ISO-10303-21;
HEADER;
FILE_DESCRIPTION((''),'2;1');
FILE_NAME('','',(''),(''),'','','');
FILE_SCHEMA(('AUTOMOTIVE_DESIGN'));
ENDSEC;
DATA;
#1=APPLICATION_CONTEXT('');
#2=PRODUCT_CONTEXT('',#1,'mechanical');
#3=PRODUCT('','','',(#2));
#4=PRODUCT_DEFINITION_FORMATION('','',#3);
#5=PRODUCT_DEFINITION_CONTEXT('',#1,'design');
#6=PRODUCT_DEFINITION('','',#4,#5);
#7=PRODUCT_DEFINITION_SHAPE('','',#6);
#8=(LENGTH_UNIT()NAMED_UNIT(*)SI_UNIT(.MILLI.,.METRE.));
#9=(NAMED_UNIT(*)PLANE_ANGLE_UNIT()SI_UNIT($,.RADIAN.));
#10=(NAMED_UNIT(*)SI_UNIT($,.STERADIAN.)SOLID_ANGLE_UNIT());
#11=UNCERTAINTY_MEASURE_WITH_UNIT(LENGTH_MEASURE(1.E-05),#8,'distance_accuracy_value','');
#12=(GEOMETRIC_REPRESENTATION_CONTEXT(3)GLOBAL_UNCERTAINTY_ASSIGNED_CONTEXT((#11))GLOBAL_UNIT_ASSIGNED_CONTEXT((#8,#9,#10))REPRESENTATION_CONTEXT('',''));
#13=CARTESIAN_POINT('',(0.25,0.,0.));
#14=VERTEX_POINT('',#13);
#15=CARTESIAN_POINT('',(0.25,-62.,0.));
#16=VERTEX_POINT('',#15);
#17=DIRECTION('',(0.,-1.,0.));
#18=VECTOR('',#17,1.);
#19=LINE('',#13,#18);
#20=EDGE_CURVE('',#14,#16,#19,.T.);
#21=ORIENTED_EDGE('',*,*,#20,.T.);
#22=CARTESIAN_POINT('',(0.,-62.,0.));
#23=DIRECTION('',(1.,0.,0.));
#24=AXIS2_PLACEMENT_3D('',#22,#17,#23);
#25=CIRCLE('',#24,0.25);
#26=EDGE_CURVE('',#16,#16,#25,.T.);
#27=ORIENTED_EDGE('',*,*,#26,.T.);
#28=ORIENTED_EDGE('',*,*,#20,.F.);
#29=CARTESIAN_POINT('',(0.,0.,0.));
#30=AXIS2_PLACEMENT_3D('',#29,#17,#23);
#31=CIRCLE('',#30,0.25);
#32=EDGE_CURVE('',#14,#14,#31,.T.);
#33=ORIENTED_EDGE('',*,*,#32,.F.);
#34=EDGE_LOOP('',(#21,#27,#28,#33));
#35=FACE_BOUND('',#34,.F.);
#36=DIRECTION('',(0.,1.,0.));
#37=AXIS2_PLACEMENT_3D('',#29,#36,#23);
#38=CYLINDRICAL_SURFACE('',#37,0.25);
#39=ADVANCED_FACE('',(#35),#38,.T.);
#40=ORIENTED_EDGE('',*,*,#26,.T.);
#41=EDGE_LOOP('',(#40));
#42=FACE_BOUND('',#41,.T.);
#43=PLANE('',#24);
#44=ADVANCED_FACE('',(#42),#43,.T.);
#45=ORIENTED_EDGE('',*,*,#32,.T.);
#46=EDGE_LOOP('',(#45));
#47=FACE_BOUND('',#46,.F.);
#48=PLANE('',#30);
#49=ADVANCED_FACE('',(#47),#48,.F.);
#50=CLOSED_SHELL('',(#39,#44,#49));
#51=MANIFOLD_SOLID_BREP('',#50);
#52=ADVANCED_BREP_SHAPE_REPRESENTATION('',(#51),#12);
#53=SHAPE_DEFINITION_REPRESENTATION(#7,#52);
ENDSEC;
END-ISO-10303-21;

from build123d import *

# Parameters (mm, degrees)
SKETCH_R  = 0.25
PAD_DEPTH = 62


with BuildPart() as part:
    # Sketch → Pad (new body)
    with BuildSketch(Plane.XZ):
        Circle(SKETCH_R)
    extrude(amount=PAD_DEPTH)


solid = part.part
